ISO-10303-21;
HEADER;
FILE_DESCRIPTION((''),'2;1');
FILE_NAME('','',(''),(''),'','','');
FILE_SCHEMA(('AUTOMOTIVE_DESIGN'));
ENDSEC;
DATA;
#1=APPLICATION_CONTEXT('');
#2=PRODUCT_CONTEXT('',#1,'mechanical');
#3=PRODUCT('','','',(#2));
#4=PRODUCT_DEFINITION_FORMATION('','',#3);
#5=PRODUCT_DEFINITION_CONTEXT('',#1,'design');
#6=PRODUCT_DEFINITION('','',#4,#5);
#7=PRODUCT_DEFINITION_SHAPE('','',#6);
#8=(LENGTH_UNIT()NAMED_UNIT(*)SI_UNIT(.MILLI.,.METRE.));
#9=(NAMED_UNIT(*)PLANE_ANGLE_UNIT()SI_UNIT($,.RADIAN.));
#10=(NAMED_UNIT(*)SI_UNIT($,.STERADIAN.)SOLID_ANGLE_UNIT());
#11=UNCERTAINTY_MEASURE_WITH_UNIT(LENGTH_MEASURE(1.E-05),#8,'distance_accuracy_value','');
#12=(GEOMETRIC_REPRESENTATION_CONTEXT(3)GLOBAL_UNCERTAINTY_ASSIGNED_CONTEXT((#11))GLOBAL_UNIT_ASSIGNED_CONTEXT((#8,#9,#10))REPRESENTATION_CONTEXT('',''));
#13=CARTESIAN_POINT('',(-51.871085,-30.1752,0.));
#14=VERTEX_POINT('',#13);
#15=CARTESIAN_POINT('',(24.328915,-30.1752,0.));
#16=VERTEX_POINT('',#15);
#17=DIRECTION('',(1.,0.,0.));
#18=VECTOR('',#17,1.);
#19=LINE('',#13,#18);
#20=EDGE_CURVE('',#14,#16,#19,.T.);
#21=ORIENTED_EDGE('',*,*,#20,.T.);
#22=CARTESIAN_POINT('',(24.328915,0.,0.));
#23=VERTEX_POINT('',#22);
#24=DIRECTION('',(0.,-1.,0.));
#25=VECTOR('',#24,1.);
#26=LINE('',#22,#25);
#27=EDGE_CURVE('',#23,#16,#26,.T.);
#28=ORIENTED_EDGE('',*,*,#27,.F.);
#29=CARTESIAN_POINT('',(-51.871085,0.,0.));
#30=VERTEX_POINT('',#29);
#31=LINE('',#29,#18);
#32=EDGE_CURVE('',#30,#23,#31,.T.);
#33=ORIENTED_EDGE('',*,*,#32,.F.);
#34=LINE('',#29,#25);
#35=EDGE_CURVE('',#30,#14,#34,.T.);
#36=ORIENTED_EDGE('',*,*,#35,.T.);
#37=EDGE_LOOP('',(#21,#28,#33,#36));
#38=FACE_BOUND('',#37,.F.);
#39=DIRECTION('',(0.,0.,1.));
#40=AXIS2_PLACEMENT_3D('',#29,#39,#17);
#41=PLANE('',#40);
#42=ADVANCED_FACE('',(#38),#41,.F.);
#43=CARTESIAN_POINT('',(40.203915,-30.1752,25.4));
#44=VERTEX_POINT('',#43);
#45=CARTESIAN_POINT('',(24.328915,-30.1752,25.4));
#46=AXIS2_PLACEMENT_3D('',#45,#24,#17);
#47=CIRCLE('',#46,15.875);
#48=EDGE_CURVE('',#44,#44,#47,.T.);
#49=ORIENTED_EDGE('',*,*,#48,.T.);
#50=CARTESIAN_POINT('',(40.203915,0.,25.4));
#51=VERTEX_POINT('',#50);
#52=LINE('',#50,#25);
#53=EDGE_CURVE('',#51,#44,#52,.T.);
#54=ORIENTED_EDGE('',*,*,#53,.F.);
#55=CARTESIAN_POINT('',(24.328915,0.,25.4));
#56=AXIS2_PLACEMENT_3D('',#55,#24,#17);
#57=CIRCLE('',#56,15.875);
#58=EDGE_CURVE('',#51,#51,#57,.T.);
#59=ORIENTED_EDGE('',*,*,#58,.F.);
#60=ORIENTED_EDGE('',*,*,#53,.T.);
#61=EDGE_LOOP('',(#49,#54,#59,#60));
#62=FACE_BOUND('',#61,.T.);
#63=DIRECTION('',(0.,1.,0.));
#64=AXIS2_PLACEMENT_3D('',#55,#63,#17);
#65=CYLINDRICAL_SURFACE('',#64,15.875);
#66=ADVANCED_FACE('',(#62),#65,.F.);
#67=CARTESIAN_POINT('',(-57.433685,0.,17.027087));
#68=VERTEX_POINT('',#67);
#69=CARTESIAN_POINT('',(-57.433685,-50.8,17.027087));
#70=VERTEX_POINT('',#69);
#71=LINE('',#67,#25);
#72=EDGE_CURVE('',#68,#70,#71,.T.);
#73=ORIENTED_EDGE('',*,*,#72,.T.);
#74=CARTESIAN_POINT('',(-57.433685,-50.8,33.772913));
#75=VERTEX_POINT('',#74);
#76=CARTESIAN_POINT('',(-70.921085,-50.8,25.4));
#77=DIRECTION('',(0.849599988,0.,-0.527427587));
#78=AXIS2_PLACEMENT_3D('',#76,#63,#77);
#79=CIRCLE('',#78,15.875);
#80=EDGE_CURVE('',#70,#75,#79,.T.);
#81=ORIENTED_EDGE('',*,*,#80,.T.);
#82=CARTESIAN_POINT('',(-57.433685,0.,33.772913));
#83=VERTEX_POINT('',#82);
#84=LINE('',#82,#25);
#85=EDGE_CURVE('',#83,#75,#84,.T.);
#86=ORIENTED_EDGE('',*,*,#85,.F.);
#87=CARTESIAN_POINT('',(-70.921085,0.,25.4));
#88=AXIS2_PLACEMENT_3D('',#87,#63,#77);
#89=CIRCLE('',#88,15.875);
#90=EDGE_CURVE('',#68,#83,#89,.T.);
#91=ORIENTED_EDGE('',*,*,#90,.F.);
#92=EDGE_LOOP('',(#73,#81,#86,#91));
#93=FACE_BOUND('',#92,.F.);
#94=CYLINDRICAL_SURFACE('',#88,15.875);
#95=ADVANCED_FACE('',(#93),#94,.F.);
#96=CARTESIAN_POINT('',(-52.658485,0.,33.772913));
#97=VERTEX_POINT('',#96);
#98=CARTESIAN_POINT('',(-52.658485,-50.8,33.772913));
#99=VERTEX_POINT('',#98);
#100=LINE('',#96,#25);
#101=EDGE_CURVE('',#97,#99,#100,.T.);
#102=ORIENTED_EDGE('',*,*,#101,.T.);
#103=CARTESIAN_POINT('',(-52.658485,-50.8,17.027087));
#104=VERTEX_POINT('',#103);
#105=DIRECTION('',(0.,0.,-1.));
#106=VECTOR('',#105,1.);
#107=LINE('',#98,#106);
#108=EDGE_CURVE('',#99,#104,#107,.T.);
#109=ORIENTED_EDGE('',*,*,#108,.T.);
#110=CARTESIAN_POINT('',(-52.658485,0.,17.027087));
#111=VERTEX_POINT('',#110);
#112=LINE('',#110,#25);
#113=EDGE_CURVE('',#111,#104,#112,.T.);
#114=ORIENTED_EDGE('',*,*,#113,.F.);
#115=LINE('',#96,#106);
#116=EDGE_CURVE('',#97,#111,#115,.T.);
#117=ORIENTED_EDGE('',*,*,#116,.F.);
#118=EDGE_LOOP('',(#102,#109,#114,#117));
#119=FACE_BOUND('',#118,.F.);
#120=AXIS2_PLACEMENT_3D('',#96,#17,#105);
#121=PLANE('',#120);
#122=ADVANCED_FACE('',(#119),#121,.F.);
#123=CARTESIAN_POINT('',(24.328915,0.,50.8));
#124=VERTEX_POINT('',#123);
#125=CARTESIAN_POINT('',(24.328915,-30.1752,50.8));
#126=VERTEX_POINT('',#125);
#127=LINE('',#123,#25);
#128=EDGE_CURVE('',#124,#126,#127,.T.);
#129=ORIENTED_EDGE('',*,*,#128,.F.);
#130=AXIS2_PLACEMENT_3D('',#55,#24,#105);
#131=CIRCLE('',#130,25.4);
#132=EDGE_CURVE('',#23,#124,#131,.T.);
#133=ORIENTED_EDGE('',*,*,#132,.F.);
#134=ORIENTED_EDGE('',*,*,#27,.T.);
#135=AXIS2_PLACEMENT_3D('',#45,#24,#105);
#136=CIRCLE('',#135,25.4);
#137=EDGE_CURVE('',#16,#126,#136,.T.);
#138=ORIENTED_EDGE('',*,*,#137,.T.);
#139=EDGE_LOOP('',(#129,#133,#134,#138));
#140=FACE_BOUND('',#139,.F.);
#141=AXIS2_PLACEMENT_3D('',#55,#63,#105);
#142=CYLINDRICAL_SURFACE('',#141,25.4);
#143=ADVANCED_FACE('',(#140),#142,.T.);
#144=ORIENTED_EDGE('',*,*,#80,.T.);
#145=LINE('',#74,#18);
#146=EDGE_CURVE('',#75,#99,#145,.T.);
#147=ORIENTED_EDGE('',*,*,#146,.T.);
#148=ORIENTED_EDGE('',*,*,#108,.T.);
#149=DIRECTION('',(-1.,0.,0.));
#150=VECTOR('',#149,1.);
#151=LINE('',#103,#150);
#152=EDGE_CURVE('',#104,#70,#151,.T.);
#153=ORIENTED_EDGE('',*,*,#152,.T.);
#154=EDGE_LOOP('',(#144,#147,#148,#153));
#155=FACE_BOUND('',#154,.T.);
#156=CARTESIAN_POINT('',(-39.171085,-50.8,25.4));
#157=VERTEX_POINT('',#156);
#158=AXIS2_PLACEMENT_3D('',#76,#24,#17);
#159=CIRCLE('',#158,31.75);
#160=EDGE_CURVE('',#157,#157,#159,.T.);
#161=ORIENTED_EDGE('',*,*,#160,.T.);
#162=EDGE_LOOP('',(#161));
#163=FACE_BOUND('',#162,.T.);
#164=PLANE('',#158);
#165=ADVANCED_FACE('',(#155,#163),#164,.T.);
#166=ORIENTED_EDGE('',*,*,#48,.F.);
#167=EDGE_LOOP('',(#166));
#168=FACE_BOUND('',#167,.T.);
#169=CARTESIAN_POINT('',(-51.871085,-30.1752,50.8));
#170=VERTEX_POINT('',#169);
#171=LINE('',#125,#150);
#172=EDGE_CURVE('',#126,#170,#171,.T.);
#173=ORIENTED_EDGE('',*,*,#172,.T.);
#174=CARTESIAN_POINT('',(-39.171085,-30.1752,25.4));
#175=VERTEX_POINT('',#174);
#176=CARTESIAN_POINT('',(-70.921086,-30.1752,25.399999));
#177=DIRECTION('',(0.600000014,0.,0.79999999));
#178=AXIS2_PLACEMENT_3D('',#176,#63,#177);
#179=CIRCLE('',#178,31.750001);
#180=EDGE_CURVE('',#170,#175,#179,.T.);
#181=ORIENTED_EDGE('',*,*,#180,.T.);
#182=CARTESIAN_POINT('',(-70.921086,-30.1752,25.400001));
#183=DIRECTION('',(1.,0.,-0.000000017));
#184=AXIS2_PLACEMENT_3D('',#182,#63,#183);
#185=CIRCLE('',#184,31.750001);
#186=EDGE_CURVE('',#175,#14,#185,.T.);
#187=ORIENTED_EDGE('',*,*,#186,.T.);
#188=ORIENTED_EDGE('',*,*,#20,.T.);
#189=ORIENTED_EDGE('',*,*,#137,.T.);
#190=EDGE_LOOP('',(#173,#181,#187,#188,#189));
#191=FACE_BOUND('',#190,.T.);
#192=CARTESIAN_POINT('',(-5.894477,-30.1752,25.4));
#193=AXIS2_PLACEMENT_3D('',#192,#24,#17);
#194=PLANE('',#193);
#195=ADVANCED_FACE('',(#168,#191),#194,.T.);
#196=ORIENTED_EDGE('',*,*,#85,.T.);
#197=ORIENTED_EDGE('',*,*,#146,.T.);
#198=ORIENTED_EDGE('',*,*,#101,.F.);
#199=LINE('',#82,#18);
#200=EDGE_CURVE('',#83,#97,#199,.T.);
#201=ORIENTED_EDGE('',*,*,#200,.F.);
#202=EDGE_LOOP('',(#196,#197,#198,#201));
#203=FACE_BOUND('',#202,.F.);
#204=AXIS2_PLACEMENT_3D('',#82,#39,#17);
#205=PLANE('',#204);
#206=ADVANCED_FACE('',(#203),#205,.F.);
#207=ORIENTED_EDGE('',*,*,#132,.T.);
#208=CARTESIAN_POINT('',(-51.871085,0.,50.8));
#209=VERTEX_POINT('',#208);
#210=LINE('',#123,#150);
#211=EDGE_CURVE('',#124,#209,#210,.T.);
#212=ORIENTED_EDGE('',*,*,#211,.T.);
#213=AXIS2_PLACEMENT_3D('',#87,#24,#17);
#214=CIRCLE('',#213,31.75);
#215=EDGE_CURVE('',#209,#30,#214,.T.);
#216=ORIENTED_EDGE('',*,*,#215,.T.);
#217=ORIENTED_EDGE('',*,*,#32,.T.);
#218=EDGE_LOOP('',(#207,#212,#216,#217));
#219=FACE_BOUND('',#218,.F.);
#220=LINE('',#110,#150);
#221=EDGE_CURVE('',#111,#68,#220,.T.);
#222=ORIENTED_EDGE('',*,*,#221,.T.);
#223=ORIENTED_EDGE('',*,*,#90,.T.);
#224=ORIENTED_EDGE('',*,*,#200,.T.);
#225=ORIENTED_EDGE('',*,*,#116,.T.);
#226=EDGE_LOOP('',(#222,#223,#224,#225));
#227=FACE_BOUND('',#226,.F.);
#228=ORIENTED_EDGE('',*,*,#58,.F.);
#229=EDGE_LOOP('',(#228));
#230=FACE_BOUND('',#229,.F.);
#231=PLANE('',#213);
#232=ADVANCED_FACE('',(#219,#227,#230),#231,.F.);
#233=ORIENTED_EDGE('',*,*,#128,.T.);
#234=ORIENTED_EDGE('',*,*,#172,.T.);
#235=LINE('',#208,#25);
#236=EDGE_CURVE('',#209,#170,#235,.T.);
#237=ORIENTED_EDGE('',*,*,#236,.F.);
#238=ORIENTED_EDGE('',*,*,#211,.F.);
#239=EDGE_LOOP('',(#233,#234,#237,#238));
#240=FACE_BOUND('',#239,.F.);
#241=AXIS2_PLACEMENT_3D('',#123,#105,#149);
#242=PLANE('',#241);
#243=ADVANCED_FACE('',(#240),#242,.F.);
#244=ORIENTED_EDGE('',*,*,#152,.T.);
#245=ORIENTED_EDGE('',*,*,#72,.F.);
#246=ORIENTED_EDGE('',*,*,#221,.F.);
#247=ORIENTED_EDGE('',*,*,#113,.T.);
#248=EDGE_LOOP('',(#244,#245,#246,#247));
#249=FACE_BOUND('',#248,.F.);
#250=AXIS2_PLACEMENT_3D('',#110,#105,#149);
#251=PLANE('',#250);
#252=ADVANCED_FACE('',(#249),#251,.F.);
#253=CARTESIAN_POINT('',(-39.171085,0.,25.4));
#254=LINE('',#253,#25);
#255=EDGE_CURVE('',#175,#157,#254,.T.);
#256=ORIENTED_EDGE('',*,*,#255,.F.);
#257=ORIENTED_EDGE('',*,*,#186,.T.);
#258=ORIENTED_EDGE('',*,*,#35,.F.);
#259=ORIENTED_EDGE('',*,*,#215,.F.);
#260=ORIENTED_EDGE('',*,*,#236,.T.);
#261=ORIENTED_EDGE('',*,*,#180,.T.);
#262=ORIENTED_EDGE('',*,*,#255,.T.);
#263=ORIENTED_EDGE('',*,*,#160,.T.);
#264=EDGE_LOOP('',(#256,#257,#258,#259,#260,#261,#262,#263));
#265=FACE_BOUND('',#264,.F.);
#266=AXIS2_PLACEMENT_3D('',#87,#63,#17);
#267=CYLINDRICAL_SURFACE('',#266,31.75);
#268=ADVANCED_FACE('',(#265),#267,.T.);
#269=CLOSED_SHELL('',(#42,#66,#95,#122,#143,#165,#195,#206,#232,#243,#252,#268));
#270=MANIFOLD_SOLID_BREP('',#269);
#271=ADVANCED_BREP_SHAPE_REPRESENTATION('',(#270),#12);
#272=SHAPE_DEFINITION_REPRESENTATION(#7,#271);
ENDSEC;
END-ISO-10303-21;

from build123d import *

# Parameters (mm, degrees)
F0_R     = 15.875
F1_DEPTH = 30.1752
F2_R     = 31.75
F3_DEPTH = 50.8


with BuildPart() as f1:
    # F0 (on Front) → F1 (new body)
    with BuildSketch(Plane.XZ):
        with BuildLine():
            ThreePointArc((-39.171085, 25.4), (-42.523022, 11.200968), (-51.871085, 0))
            Line((-51.871085, 0), (24.328915, 0))
            ThreePointArc((24.328915, 0), (49.728915, 25.4), (24.328915, 50.8))
            Line((24.328915, 50.8), (-51.871085, 50.8))
            ThreePointArc((-51.871085, 50.8), (-42.523022, 39.599032), (-39.171085, 25.4))
        make_face()
        with Locations((24.328915, 25.4)):
            Circle(F0_R, mode=Mode.SUBTRACT)
    extrude(amount=F1_DEPTH)

    # F2 (on Front) → F3 (join)
    with BuildSketch(Plane.XZ):
        with Locations((-70.921085, 25.4)):
            Circle(F2_R)
        with BuildLine():
            ThreePointArc((-57.433685, 17.027087), (-86.796085, 25.4), (-57.433685, 33.772913))
            Line((-57.433685, 33.772913), (-52.658485, 33.772913))
            Line((-52.658485, 33.772913), (-52.658485, 17.027087))
            Line((-52.658485, 17.027087), (-57.433685, 17.027087))
        make_face(mode=Mode.SUBTRACT)
    extrude(amount=F3_DEPTH)


solid = f1.part
